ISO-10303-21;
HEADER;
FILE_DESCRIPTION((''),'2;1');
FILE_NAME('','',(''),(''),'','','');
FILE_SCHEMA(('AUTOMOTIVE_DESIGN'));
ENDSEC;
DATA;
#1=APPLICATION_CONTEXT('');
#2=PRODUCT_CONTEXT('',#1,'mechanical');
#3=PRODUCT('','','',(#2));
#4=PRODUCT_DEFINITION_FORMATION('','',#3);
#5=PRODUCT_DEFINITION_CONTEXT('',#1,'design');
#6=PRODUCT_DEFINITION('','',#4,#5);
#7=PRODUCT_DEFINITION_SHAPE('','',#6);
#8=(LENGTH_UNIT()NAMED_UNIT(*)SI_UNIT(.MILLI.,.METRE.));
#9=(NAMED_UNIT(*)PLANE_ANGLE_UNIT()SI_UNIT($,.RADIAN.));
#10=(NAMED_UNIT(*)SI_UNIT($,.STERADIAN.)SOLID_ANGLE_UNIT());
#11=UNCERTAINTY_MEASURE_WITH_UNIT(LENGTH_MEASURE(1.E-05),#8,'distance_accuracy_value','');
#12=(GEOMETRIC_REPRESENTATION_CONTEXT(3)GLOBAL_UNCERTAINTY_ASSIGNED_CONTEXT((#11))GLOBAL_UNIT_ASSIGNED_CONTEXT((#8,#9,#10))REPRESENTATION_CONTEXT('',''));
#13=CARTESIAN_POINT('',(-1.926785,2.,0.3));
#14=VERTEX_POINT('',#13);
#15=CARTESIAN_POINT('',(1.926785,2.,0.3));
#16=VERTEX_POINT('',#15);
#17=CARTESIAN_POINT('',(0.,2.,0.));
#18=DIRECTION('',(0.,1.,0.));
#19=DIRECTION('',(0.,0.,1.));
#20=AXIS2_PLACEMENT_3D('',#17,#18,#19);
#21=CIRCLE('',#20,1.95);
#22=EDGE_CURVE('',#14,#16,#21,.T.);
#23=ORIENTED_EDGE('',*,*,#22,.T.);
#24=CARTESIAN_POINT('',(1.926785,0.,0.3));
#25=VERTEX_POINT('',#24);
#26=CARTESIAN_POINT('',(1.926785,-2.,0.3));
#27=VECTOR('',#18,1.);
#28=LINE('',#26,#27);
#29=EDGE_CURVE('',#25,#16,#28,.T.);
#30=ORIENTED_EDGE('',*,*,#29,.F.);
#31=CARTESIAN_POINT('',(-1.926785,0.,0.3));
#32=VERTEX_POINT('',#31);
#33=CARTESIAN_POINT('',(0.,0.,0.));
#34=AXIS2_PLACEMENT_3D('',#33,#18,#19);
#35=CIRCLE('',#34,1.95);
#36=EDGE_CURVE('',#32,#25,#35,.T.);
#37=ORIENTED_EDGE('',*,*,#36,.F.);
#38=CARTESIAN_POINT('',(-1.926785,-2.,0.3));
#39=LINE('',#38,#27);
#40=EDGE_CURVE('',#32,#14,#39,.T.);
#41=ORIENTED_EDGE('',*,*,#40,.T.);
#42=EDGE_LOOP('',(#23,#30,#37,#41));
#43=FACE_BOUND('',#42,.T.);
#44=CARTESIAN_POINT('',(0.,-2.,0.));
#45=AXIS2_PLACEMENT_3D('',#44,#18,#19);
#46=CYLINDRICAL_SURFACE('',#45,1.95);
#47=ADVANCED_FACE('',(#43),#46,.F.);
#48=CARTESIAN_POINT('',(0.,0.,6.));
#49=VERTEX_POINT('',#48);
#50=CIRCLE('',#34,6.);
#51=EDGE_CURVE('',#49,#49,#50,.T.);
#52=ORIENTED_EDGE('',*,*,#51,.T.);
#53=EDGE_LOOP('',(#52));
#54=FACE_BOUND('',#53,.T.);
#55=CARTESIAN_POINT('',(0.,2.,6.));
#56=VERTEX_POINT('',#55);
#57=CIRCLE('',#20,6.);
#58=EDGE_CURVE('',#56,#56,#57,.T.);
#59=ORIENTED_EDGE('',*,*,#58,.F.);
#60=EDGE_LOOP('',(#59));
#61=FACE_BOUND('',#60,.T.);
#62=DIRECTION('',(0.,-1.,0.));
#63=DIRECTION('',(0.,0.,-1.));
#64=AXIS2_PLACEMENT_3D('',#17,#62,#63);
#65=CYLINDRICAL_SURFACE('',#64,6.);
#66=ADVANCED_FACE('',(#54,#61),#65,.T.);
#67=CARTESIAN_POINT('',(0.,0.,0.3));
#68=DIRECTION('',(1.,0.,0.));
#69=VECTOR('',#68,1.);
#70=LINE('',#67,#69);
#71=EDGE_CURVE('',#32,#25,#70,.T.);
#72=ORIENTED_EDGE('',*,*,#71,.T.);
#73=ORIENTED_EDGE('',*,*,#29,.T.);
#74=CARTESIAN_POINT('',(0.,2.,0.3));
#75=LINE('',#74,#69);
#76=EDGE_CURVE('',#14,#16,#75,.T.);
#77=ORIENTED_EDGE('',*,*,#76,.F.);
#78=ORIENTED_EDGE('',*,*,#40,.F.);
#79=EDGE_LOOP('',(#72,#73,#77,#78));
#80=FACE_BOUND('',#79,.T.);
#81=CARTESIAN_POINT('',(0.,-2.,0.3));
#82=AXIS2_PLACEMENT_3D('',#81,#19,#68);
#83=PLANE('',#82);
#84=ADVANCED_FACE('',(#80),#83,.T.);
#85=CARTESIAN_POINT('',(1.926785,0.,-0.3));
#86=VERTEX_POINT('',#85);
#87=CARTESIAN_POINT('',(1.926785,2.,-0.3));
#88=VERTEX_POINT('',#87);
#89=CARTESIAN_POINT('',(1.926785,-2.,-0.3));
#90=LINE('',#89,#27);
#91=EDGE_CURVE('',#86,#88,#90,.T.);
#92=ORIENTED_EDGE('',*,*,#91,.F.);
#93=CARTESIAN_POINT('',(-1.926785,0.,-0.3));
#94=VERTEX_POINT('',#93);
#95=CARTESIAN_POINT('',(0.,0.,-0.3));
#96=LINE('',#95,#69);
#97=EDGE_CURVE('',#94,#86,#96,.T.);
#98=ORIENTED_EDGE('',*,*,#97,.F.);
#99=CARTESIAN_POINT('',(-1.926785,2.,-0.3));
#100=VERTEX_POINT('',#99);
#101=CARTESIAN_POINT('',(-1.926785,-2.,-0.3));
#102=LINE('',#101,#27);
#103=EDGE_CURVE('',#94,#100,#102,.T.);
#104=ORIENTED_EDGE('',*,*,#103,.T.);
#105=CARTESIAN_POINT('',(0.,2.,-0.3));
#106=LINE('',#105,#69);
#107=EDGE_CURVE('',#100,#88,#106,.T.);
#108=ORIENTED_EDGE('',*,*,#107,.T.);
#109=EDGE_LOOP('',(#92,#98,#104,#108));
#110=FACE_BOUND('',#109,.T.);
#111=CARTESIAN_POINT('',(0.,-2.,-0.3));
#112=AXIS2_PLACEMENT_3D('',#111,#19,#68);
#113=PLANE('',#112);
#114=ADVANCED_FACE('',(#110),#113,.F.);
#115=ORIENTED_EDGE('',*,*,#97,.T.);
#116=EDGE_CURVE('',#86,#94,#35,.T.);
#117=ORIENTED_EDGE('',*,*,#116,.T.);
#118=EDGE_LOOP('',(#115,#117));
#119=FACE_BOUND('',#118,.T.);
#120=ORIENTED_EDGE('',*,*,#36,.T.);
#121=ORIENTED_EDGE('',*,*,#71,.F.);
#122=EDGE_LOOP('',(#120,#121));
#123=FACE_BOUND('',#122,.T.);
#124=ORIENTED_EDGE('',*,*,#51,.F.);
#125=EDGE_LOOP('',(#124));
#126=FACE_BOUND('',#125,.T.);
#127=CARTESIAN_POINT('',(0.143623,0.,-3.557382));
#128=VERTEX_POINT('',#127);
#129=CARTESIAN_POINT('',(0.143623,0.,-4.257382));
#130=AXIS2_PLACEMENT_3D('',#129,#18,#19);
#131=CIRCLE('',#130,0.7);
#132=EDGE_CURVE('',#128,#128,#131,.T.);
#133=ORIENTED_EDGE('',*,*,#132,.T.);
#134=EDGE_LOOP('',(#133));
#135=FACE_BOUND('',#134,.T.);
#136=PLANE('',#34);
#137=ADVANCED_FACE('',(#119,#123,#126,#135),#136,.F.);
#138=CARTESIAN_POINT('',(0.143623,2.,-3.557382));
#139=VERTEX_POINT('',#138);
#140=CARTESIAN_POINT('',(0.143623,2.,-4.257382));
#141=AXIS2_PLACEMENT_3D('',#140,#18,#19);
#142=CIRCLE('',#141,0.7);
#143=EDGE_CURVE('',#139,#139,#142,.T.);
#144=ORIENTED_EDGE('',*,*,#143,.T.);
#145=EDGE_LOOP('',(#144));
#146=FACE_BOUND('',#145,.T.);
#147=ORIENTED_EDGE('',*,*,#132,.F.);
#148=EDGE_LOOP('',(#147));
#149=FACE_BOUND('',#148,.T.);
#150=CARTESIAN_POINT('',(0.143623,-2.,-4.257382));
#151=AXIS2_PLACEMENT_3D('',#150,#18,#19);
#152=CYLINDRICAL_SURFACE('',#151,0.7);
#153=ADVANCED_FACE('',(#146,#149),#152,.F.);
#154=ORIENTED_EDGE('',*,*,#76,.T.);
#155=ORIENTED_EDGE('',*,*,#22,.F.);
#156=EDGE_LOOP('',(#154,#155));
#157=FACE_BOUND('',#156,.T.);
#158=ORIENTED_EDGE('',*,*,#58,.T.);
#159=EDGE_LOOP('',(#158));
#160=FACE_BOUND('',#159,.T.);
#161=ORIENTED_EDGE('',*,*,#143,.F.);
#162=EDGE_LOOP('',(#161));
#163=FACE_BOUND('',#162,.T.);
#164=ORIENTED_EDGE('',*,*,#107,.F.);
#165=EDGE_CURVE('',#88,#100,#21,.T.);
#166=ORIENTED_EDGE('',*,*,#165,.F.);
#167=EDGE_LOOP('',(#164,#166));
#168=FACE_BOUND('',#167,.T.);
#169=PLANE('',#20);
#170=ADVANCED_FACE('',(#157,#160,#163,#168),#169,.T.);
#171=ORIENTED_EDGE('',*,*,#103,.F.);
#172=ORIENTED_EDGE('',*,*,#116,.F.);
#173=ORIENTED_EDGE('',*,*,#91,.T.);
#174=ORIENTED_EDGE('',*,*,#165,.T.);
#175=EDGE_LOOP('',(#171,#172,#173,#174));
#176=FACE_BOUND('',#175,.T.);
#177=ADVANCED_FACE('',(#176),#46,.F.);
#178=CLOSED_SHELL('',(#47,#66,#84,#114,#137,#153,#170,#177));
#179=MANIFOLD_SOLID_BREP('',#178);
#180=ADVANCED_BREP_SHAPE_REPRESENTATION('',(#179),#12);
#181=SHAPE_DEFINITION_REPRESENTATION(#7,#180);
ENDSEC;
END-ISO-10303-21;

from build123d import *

# Parameters (mm, degrees)
SKETCH1_R           = 6
BOSS_EXTRUDE1_DEPTH = 2
CUT_EXTRUDE1_DEPTH  = 4
SKETCH3_R           = 0.7
CUT_EXTRUDE2_DEPTH  = 4


with BuildPart() as part:
    # Sketch1 → Boss-Extrude1 (new body)
    with BuildSketch(Plane(origin=(0, 0, 0), x_dir=(1, 0, 0), z_dir=(0, 1, 0))):
        with Locations(Location((0, 0, 0), (0, 0, 270))):
            Circle(SKETCH1_R)
    extrude(amount=BOSS_EXTRUDE1_DEPTH)

    # Sketch2 → Cut-Extrude1 (cut)
    with BuildSketch(Plane(origin=(0, 2, 0), x_dir=(1, 0, 0), z_dir=(0, 1, 0))):
        with BuildLine():
            Line((-1.926784887, 0.3), (0, 0.3))
            Line((0, 0.3), (1.926784887, 0.3))
            ThreePointArc((1.926784887, 0.3), (0, 1.95), (-1.926784887, 0.3))
        make_face()
        with BuildLine():
            Line((1.926784887, -0.3), (0, -0.3))
            Line((0, -0.3), (-1.926784887, -0.3))
            ThreePointArc((-1.926784887, -0.3), (0, -1.95), (1.926784887, -0.3))
        make_face()
    extrude(amount=-CUT_EXTRUDE1_DEPTH, mode=Mode.SUBTRACT)

    # Sketch3 → Cut-Extrude2 (cut)
    with BuildSketch(Plane(origin=(0, 2, 0), x_dir=(1, 0, 0), z_dir=(0, 1, 0))):
        with Locations(Location((0.143622542, 4.257382495, 0), (0, 0, 270))):
            Circle(SKETCH3_R)
    extrude(amount=-CUT_EXTRUDE2_DEPTH, mode=Mode.SUBTRACT)


solid = part.part
